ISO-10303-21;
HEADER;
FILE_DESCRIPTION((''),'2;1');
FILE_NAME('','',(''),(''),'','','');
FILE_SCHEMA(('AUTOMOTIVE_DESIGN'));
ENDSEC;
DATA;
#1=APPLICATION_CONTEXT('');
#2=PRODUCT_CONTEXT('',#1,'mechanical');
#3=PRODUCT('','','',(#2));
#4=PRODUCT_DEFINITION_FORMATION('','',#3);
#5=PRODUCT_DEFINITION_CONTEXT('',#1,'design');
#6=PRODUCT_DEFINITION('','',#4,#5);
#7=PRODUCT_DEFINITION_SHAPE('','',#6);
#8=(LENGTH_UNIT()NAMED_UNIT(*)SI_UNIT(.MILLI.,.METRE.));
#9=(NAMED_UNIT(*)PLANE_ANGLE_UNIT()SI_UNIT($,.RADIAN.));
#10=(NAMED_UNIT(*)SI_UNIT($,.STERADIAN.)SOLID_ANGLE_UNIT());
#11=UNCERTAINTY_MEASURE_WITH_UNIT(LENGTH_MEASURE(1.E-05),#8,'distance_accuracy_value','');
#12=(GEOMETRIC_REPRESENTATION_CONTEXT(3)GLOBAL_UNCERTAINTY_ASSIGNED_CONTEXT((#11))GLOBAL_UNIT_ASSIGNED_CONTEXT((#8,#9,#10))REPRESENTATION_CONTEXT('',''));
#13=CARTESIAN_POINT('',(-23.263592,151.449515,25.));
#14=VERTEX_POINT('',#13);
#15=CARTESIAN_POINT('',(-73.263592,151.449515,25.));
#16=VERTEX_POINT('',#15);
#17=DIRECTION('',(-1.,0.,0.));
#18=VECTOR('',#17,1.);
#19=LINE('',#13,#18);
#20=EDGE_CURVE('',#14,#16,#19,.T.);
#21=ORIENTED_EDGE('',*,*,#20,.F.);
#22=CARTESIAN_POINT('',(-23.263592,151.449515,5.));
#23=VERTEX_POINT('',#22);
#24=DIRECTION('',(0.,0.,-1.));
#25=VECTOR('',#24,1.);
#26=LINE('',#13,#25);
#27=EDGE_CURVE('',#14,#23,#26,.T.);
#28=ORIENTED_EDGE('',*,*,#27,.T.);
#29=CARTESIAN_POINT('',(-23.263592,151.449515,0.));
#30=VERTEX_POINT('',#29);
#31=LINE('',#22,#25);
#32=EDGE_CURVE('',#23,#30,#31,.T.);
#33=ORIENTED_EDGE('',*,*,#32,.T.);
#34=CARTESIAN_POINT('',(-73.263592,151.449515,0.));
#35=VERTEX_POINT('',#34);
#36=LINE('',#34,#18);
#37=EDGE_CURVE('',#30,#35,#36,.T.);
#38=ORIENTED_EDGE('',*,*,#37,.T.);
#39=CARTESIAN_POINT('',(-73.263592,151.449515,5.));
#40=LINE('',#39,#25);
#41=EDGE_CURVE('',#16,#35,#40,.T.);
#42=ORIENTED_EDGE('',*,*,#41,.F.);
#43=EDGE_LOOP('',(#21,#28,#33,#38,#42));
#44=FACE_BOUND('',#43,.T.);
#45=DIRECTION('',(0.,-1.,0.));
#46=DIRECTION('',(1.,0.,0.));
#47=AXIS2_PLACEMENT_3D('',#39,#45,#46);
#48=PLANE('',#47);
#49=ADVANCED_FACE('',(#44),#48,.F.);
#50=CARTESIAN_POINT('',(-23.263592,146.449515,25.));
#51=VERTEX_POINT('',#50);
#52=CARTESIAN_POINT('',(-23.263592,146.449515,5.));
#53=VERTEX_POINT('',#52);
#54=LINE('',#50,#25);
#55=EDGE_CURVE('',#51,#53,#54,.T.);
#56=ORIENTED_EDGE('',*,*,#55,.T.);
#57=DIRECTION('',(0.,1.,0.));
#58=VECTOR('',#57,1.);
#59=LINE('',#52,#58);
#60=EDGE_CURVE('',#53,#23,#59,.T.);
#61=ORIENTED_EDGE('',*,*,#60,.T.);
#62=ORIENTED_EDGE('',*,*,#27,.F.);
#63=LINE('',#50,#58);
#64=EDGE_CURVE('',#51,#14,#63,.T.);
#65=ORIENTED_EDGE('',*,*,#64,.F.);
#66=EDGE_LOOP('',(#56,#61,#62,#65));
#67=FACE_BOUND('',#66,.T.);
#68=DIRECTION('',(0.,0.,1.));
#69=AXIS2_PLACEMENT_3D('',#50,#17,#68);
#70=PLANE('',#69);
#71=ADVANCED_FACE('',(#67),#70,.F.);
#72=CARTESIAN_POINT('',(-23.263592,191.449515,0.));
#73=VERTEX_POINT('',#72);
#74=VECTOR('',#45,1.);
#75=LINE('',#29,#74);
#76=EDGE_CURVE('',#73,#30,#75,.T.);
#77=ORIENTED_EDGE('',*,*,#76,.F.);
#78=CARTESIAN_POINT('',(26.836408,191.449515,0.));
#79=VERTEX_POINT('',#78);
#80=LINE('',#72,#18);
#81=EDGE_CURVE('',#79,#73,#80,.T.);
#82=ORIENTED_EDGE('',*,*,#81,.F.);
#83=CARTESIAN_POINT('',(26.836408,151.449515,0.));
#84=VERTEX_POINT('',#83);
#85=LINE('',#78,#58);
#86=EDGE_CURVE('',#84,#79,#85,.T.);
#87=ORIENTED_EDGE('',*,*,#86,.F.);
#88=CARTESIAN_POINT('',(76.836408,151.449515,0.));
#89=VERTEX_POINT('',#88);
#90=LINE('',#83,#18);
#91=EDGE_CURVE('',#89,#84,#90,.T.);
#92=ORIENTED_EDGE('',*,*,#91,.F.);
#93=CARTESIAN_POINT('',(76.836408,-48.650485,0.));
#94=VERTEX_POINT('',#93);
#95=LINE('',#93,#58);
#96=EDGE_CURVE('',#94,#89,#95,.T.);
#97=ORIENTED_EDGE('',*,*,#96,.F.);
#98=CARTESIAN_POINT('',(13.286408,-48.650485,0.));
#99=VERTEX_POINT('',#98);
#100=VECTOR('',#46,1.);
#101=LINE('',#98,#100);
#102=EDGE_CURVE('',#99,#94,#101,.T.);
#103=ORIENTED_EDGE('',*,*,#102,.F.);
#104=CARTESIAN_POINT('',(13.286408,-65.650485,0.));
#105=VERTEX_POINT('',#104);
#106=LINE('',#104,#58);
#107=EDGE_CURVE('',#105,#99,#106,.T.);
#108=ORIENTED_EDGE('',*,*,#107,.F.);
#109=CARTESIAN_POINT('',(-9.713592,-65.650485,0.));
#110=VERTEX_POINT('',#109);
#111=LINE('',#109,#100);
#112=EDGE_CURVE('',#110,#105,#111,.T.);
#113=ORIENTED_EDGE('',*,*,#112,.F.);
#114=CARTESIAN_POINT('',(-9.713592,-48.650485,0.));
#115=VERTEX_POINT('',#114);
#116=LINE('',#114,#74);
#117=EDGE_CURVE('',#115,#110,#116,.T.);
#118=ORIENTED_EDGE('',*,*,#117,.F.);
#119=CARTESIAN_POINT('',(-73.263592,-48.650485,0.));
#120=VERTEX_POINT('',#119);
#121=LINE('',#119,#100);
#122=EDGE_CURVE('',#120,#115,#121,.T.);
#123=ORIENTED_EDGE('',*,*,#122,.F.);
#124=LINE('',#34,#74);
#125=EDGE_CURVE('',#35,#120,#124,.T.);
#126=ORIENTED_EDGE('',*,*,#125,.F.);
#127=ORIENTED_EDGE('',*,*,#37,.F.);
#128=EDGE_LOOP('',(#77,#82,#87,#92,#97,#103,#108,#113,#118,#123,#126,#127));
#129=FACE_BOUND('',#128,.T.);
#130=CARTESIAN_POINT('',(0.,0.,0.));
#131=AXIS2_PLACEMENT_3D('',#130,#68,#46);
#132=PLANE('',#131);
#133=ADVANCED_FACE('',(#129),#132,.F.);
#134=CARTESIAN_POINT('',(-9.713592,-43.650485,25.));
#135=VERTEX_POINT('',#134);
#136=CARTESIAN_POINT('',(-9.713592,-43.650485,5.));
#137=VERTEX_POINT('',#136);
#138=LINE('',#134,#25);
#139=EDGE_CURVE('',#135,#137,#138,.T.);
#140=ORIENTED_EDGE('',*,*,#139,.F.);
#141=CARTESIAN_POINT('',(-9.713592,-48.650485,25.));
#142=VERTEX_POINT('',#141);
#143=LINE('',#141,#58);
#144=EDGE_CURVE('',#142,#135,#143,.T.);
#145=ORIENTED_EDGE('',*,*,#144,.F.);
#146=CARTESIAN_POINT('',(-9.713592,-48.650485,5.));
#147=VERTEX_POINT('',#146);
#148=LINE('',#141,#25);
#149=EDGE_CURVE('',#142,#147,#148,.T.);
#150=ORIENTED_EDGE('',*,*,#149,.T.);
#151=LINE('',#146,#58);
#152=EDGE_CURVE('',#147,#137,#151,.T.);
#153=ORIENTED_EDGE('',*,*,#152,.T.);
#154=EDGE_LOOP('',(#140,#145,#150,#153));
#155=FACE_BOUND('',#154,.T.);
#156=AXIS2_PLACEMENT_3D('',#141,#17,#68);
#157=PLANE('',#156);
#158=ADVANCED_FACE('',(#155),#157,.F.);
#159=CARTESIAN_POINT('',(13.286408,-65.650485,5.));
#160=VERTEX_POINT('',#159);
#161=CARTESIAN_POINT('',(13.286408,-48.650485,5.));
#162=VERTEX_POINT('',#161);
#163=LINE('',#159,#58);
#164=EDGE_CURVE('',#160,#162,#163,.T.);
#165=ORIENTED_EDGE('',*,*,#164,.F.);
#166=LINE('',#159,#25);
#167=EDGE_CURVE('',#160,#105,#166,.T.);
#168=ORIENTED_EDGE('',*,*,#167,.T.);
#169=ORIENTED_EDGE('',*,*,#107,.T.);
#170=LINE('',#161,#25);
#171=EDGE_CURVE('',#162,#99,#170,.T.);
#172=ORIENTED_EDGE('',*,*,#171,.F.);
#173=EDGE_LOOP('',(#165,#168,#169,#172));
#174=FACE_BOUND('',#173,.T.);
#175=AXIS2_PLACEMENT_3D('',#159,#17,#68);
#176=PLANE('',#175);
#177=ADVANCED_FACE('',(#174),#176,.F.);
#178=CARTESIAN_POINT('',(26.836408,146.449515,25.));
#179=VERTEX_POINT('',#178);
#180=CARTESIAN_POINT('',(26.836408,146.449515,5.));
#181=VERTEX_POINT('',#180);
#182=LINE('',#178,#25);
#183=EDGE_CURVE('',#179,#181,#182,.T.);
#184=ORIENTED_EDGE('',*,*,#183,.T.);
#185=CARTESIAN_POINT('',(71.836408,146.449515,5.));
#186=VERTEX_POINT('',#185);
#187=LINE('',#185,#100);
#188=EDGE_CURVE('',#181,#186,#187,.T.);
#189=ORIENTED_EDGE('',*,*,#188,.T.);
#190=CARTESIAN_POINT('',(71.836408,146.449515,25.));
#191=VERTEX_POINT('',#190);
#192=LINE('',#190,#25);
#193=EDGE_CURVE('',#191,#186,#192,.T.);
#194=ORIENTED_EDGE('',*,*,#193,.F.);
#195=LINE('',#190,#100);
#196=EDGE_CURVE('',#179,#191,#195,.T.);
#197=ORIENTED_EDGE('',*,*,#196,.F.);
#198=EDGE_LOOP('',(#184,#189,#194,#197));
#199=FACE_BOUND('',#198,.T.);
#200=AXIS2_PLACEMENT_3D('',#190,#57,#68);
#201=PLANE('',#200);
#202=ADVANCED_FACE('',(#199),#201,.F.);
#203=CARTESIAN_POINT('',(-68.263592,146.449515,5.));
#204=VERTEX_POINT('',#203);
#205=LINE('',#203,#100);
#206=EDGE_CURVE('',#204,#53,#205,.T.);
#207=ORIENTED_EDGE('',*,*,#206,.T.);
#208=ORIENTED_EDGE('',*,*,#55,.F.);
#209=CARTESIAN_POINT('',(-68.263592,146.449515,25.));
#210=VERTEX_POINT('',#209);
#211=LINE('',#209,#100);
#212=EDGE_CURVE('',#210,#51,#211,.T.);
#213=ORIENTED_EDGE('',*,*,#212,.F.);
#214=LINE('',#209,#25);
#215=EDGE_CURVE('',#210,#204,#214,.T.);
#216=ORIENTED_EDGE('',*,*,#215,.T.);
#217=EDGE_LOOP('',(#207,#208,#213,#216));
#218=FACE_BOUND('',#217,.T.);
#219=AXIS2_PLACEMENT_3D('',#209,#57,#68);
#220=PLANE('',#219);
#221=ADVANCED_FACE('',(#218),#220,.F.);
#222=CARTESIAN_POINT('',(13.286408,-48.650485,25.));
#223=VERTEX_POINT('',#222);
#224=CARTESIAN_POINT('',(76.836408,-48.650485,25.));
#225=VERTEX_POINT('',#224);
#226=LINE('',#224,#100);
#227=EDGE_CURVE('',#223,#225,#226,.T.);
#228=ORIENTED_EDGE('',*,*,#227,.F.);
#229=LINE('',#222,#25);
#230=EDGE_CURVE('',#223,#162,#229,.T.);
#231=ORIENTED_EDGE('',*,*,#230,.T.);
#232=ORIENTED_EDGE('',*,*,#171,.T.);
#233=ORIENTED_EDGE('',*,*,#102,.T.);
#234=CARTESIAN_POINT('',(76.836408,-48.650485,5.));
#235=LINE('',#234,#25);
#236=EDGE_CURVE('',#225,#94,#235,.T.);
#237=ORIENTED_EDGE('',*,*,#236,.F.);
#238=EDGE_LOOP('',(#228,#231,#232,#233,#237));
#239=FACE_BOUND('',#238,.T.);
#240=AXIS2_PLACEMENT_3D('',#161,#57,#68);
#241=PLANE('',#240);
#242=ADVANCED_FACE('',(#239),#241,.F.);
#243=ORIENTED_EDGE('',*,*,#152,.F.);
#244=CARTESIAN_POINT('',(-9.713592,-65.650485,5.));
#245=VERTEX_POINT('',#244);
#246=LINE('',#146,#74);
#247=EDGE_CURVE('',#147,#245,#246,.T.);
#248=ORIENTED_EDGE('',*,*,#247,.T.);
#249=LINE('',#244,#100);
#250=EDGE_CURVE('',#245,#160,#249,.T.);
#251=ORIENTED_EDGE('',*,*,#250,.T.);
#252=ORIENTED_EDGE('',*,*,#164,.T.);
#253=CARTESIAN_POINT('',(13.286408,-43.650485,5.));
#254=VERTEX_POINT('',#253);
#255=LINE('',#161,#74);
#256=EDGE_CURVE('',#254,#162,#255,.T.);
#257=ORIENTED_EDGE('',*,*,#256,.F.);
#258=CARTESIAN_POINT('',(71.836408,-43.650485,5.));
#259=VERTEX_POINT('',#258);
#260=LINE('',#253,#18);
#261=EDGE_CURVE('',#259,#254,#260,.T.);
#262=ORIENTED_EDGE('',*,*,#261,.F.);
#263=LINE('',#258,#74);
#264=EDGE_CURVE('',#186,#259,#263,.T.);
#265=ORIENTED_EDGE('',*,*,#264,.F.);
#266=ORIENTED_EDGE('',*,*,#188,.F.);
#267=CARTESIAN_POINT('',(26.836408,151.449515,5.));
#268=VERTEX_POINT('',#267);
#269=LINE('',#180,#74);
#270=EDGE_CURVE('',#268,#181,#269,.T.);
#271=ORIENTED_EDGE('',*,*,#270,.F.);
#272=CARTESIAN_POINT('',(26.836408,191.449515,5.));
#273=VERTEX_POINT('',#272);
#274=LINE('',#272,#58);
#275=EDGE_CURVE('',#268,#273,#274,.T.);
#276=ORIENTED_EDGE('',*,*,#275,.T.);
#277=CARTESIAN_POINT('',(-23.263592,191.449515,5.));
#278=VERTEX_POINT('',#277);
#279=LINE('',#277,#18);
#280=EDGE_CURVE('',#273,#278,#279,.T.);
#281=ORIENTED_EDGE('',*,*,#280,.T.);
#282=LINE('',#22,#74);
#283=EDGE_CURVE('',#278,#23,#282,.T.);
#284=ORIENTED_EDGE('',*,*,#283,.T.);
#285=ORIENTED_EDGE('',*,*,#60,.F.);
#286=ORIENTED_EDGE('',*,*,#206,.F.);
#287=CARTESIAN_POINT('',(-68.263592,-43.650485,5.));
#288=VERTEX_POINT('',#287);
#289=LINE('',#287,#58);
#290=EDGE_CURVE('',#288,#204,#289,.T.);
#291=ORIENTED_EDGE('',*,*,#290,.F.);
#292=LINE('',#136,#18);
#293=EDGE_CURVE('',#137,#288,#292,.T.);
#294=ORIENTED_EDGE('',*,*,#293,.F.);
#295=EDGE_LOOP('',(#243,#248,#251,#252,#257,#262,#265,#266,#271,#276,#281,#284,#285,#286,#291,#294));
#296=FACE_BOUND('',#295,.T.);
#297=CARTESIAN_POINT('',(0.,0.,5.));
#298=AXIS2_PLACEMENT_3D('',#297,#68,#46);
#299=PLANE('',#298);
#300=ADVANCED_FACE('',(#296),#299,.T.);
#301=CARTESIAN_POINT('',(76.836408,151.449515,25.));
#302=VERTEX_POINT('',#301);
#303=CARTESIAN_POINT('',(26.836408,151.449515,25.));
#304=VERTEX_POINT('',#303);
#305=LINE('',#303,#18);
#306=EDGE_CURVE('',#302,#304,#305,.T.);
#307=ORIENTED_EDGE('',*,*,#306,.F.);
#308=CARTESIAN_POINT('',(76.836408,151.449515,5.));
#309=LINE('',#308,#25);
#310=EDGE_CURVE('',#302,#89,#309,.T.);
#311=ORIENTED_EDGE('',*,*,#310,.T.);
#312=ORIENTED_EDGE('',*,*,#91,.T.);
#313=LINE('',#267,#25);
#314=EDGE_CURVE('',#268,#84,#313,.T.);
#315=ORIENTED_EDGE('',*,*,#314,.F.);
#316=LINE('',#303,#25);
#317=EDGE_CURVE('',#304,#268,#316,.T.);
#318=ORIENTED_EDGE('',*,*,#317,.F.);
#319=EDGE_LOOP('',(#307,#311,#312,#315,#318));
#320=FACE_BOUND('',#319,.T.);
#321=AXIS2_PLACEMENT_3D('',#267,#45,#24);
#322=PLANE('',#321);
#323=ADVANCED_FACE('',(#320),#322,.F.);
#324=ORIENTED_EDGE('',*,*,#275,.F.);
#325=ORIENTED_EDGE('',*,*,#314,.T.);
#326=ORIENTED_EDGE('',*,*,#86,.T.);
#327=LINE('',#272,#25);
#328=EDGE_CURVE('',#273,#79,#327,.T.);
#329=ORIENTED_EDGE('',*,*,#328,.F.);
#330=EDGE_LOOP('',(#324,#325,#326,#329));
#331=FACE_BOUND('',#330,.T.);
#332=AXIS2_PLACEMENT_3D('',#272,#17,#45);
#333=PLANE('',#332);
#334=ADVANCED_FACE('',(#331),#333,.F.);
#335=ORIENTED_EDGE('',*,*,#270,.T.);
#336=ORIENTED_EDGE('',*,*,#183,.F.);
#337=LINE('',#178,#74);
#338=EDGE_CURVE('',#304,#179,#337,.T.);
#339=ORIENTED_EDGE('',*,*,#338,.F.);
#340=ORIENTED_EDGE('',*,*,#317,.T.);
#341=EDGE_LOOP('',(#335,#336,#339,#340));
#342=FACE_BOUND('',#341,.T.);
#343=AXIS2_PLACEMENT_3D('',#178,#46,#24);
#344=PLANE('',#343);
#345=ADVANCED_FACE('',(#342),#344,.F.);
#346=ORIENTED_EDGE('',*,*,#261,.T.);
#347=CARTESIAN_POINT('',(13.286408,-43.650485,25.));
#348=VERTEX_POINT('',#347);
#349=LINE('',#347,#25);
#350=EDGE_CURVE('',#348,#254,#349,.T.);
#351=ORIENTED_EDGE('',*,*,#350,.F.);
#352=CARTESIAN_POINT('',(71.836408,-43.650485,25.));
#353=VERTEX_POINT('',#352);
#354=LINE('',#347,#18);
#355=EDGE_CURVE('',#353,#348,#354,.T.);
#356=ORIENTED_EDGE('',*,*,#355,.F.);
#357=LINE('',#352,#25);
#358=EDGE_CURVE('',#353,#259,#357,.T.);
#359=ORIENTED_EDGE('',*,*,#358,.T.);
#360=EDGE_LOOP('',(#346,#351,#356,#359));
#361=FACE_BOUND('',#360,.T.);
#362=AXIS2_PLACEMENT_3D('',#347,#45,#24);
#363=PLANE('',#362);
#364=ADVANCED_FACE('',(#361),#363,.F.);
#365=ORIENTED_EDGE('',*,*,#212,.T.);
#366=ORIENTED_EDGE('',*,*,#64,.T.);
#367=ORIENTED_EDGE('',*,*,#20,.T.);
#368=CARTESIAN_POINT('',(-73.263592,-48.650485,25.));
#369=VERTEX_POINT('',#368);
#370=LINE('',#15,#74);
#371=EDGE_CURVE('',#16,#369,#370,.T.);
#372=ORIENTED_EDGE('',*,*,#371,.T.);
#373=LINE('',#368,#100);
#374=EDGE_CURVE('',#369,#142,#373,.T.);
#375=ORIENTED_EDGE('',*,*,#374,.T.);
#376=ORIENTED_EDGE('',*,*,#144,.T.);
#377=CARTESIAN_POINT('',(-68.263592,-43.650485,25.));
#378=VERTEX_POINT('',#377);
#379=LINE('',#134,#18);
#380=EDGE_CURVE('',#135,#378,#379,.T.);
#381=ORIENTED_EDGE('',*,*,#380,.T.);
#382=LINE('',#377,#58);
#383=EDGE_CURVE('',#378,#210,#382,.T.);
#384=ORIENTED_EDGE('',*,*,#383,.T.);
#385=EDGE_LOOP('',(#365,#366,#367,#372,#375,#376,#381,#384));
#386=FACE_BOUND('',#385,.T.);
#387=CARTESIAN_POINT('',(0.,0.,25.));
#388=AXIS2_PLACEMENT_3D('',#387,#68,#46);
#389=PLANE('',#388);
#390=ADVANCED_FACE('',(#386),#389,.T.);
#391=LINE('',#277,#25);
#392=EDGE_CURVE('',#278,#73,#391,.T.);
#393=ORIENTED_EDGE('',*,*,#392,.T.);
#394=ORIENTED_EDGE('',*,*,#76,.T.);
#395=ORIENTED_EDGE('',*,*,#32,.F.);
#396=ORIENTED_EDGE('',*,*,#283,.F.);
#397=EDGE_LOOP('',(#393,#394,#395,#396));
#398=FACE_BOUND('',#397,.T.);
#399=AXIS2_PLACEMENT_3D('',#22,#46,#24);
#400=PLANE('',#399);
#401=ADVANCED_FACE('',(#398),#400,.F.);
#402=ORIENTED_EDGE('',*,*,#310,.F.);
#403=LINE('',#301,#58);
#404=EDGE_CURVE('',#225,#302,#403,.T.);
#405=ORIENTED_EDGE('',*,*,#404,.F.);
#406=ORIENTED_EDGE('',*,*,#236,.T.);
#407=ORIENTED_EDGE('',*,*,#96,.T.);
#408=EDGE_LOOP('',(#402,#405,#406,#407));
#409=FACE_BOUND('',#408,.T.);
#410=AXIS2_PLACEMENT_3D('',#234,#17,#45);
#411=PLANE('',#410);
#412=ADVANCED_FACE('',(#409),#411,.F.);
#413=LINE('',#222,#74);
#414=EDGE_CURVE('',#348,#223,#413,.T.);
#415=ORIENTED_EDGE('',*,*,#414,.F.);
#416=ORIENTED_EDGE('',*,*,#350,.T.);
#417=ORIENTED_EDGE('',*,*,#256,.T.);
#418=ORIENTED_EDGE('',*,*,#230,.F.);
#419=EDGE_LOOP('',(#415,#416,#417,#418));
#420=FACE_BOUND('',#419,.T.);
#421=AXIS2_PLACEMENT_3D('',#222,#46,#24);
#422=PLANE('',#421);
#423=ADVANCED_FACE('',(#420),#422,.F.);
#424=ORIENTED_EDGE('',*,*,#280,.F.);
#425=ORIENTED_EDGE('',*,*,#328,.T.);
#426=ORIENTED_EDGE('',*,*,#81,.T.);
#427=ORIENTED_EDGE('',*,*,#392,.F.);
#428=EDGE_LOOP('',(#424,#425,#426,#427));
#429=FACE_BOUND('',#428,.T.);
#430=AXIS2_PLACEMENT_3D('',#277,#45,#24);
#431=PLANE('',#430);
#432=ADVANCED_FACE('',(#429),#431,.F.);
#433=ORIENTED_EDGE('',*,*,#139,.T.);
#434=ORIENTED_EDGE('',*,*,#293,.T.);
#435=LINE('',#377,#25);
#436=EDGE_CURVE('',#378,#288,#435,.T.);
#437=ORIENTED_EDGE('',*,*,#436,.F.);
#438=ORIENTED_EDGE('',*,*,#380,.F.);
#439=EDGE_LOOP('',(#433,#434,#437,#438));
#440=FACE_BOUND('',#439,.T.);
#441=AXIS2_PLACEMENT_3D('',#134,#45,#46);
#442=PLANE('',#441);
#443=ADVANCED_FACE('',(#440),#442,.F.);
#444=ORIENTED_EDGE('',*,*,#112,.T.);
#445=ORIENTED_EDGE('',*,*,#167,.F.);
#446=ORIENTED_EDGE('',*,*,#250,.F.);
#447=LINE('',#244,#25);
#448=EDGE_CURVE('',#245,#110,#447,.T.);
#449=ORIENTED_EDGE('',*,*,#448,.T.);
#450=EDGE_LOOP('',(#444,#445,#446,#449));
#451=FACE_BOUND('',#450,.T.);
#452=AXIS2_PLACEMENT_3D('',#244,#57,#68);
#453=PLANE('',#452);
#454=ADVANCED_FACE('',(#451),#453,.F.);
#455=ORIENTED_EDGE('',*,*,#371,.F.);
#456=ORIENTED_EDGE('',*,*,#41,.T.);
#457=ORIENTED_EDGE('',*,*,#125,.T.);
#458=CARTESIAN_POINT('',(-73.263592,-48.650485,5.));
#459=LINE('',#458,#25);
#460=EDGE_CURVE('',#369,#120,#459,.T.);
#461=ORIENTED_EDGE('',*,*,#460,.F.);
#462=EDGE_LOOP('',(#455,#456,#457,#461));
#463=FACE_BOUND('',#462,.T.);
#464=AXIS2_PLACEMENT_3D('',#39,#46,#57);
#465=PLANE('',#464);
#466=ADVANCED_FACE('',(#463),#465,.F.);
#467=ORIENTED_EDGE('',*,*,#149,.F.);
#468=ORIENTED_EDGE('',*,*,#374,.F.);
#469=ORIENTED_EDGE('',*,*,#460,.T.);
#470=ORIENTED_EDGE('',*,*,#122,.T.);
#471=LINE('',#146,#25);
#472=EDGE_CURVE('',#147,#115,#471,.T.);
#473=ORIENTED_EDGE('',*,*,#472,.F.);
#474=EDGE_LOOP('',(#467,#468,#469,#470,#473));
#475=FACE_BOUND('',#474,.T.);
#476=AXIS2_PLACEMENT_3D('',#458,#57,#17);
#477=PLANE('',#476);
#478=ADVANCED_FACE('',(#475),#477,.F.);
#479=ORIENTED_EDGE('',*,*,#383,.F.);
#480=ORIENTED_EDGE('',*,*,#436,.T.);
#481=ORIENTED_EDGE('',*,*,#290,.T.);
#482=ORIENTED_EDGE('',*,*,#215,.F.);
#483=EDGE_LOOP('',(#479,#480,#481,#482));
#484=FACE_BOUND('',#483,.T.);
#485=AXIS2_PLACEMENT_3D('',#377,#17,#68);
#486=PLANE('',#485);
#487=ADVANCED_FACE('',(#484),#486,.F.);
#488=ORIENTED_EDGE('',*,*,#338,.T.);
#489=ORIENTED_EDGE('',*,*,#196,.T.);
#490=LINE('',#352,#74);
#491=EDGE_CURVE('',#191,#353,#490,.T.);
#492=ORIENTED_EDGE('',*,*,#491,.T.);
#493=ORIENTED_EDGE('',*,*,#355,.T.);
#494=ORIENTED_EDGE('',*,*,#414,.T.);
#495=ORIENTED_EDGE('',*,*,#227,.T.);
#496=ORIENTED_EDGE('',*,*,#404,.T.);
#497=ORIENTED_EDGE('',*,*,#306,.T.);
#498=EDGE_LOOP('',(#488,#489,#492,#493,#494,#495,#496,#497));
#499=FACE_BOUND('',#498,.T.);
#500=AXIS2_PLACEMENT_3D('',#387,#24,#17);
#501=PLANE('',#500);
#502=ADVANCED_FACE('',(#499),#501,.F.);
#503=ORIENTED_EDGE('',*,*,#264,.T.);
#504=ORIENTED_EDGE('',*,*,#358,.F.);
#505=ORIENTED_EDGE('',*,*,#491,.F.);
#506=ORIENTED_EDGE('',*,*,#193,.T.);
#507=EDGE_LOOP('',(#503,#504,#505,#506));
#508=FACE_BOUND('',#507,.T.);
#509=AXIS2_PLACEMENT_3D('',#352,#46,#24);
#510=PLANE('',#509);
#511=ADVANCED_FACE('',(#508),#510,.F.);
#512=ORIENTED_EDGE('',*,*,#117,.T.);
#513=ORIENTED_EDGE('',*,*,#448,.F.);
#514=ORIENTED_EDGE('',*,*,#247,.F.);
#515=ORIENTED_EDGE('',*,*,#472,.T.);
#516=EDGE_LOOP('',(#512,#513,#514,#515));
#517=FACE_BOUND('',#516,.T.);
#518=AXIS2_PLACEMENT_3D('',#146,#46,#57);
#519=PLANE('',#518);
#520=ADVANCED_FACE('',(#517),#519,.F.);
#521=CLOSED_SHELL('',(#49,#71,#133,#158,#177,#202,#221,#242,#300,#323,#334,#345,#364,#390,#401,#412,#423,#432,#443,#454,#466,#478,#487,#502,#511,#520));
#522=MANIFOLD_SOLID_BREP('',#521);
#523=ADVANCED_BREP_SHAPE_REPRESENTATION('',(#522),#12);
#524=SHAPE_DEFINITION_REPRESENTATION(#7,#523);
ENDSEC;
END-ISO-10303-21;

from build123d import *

# Parameters (mm, degrees)
BOSS_EXTRUDE1_DEPTH = 5
BOSS_EXTRUDE4_DEPTH = 20
BOSS_EXTRUDE5_DEPTH = 20


with BuildPart() as part:
    # Sketch1 → Boss-Extrude1 (new body)
    with BuildSketch(Plane(origin=(0, 0, 0), x_dir=(0, 1, 0), z_dir=(0, 0, 1))):
        Polygon((-65.650485437, 9.713592233), (-65.650485437, -13.286407767), (-48.650485437, -13.286407767), (-48.650485437, -76.836407767), (151.449514563, -76.836407767), (151.449514563, -26.836407767), (191.449514563, -26.836407767), (191.449514563, 23.263592233), (151.449514563, 23.263592233), (151.449514563, 73.263592233), (-48.650485437, 73.263592233), (-48.650485437, 9.713592233), align=None)
    extrude(amount=BOSS_EXTRUDE1_DEPTH)

    # Sketch7 → Boss-Extrude4 (add)
    with BuildSketch(Plane.XY.offset(5)):
        Polygon((-23.263592233, 151.449514563), (-73.263592233, 151.449514563), (-73.263592233, -48.650485437), (-9.713592233, -48.650485437), (-9.713592233, -43.650485437), (-68.263592233, -43.650485437), (-68.263592233, 146.449514563), (-23.263592233, 146.449514563), align=None)
    extrude(amount=BOSS_EXTRUDE4_DEPTH)

    # Sketch9 → Boss-Extrude5 (add)
    with BuildSketch(Plane.XY.offset(5)):
        Polygon((26.836407767, 151.449514563), (76.836407767, 151.449514563), (76.836407767, -48.650485437), (13.286407767, -48.650485437), (13.286407767, -43.650485437), (71.836407767, -43.650485437), (71.836407767, 146.449514563), (26.836407767, 146.449514563), align=None)
    extrude(amount=BOSS_EXTRUDE5_DEPTH)


solid = part.part
